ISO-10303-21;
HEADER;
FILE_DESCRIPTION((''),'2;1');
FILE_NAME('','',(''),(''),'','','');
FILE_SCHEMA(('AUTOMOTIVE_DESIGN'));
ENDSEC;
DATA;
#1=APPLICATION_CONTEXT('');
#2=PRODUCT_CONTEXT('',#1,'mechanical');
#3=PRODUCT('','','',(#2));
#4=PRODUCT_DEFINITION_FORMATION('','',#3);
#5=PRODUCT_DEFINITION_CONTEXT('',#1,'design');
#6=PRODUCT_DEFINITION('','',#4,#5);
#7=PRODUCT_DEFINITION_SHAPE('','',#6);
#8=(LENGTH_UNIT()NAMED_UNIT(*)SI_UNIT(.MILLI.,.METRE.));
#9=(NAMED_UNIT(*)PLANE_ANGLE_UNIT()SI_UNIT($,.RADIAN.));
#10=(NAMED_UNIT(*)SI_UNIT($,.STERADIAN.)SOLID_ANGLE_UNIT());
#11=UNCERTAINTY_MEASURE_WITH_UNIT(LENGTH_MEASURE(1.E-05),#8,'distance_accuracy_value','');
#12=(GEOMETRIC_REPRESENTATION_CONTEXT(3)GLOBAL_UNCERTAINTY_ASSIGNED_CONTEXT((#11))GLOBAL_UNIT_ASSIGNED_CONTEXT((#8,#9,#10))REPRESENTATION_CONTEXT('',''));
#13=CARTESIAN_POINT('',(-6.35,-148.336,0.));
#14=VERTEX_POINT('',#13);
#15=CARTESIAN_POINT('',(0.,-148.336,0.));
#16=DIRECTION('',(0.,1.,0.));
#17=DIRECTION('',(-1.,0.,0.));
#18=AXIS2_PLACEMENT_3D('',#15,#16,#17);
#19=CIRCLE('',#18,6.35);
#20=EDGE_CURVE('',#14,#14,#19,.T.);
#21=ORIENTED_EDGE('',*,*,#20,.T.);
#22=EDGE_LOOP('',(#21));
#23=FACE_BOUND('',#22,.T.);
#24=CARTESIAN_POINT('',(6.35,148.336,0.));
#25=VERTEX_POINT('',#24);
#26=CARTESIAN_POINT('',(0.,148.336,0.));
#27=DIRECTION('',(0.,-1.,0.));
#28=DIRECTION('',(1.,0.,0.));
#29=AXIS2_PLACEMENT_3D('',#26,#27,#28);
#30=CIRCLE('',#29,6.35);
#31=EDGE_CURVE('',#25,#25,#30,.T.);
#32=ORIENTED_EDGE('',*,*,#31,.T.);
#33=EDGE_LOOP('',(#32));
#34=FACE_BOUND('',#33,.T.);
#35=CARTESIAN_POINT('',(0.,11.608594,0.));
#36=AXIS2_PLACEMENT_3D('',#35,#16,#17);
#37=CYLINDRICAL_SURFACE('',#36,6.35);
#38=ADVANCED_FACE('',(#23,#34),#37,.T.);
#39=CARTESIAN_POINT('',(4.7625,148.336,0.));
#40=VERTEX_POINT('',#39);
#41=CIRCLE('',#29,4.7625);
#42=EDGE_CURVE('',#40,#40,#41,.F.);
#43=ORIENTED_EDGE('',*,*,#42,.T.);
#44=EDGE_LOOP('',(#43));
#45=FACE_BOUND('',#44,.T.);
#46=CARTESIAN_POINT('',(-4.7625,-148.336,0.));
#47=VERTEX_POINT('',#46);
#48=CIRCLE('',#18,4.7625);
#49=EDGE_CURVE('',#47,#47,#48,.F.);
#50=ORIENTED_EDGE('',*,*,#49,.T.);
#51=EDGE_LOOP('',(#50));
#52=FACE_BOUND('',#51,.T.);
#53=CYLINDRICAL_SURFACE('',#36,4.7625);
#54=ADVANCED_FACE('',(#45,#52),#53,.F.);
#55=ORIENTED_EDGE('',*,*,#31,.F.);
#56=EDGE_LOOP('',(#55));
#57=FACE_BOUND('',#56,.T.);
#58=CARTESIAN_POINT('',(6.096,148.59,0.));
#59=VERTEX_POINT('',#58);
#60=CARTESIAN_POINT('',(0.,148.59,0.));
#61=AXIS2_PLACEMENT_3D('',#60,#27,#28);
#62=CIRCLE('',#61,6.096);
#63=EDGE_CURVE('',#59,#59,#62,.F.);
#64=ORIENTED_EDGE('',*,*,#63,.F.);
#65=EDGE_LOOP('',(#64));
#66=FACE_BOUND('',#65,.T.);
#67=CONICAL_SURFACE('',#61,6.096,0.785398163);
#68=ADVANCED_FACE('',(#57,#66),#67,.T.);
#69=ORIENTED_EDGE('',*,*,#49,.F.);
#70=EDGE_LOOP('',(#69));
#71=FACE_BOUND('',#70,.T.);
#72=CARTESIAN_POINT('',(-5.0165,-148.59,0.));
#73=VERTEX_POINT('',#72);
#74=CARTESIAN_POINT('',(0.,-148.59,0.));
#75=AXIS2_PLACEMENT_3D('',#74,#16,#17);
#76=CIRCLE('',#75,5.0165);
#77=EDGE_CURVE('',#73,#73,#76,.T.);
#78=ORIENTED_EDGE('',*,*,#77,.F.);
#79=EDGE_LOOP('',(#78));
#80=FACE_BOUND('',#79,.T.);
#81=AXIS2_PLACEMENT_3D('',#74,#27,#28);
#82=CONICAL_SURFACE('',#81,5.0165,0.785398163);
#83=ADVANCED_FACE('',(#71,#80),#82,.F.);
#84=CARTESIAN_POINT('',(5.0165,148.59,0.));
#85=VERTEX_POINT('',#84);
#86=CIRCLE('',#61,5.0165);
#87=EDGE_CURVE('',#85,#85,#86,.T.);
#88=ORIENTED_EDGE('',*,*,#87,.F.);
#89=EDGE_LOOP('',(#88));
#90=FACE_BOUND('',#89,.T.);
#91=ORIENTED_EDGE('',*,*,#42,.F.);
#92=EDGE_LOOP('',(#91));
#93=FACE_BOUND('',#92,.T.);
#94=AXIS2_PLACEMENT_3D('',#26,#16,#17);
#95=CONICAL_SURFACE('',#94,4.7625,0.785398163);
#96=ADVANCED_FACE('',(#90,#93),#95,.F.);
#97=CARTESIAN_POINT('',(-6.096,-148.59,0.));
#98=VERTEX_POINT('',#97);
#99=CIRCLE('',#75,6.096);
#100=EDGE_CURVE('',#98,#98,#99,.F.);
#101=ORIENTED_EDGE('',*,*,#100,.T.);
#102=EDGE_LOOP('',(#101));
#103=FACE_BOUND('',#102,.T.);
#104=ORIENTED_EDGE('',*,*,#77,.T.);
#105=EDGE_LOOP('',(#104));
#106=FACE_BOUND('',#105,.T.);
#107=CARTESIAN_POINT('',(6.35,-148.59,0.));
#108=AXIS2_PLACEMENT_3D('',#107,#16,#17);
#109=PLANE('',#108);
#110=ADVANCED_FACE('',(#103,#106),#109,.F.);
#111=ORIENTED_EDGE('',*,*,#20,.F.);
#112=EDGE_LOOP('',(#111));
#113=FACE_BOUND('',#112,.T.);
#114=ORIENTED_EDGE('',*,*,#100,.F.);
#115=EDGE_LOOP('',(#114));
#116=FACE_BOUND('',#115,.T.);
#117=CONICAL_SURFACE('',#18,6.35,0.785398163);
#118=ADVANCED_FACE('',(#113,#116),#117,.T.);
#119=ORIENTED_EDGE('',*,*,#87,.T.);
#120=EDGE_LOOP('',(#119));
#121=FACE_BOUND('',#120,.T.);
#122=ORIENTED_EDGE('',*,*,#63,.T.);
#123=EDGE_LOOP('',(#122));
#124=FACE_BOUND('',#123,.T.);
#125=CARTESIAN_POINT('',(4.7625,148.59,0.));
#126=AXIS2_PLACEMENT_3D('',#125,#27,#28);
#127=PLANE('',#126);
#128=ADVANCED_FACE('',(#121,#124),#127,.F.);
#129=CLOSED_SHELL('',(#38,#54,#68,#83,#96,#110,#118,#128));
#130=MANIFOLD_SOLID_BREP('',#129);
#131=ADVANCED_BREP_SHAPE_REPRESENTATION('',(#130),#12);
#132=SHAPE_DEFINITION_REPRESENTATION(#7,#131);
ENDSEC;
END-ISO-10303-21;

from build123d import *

# Parameters (mm, degrees)
SKETCH1_W     = 1.5875
SKETCH1_H     = 297.18
CHAMFER1_SIZE = 0.254


with BuildPart() as part:
    # Sketch1 → Revolve1 (revolve)
    with BuildSketch(Plane.XY, mode=Mode.PRIVATE) as revolve1_sk:
        with Locations((5.55625, 0)):
            Rectangle(SKETCH1_W, SKETCH1_H)
    revolve(revolve1_sk.sketch.rotate(Axis((0, 11.60859375, 0), (0, -1, 0)), 180), axis=Axis((0, 11.60859375, 0), (0, -1, 0)))

    # Chamfer1
    chamfer1_edges = [part.edges().sort_by_distance(p)[0] for p in [
        (4.7625, -148.59, 0),
        (6.35, -148.59, 0),
        (6.35, 148.59, 0),
        (4.7625, 148.59, 0),
    ]]
    chamfer(chamfer1_edges, length=CHAMFER1_SIZE)


solid = part.part
